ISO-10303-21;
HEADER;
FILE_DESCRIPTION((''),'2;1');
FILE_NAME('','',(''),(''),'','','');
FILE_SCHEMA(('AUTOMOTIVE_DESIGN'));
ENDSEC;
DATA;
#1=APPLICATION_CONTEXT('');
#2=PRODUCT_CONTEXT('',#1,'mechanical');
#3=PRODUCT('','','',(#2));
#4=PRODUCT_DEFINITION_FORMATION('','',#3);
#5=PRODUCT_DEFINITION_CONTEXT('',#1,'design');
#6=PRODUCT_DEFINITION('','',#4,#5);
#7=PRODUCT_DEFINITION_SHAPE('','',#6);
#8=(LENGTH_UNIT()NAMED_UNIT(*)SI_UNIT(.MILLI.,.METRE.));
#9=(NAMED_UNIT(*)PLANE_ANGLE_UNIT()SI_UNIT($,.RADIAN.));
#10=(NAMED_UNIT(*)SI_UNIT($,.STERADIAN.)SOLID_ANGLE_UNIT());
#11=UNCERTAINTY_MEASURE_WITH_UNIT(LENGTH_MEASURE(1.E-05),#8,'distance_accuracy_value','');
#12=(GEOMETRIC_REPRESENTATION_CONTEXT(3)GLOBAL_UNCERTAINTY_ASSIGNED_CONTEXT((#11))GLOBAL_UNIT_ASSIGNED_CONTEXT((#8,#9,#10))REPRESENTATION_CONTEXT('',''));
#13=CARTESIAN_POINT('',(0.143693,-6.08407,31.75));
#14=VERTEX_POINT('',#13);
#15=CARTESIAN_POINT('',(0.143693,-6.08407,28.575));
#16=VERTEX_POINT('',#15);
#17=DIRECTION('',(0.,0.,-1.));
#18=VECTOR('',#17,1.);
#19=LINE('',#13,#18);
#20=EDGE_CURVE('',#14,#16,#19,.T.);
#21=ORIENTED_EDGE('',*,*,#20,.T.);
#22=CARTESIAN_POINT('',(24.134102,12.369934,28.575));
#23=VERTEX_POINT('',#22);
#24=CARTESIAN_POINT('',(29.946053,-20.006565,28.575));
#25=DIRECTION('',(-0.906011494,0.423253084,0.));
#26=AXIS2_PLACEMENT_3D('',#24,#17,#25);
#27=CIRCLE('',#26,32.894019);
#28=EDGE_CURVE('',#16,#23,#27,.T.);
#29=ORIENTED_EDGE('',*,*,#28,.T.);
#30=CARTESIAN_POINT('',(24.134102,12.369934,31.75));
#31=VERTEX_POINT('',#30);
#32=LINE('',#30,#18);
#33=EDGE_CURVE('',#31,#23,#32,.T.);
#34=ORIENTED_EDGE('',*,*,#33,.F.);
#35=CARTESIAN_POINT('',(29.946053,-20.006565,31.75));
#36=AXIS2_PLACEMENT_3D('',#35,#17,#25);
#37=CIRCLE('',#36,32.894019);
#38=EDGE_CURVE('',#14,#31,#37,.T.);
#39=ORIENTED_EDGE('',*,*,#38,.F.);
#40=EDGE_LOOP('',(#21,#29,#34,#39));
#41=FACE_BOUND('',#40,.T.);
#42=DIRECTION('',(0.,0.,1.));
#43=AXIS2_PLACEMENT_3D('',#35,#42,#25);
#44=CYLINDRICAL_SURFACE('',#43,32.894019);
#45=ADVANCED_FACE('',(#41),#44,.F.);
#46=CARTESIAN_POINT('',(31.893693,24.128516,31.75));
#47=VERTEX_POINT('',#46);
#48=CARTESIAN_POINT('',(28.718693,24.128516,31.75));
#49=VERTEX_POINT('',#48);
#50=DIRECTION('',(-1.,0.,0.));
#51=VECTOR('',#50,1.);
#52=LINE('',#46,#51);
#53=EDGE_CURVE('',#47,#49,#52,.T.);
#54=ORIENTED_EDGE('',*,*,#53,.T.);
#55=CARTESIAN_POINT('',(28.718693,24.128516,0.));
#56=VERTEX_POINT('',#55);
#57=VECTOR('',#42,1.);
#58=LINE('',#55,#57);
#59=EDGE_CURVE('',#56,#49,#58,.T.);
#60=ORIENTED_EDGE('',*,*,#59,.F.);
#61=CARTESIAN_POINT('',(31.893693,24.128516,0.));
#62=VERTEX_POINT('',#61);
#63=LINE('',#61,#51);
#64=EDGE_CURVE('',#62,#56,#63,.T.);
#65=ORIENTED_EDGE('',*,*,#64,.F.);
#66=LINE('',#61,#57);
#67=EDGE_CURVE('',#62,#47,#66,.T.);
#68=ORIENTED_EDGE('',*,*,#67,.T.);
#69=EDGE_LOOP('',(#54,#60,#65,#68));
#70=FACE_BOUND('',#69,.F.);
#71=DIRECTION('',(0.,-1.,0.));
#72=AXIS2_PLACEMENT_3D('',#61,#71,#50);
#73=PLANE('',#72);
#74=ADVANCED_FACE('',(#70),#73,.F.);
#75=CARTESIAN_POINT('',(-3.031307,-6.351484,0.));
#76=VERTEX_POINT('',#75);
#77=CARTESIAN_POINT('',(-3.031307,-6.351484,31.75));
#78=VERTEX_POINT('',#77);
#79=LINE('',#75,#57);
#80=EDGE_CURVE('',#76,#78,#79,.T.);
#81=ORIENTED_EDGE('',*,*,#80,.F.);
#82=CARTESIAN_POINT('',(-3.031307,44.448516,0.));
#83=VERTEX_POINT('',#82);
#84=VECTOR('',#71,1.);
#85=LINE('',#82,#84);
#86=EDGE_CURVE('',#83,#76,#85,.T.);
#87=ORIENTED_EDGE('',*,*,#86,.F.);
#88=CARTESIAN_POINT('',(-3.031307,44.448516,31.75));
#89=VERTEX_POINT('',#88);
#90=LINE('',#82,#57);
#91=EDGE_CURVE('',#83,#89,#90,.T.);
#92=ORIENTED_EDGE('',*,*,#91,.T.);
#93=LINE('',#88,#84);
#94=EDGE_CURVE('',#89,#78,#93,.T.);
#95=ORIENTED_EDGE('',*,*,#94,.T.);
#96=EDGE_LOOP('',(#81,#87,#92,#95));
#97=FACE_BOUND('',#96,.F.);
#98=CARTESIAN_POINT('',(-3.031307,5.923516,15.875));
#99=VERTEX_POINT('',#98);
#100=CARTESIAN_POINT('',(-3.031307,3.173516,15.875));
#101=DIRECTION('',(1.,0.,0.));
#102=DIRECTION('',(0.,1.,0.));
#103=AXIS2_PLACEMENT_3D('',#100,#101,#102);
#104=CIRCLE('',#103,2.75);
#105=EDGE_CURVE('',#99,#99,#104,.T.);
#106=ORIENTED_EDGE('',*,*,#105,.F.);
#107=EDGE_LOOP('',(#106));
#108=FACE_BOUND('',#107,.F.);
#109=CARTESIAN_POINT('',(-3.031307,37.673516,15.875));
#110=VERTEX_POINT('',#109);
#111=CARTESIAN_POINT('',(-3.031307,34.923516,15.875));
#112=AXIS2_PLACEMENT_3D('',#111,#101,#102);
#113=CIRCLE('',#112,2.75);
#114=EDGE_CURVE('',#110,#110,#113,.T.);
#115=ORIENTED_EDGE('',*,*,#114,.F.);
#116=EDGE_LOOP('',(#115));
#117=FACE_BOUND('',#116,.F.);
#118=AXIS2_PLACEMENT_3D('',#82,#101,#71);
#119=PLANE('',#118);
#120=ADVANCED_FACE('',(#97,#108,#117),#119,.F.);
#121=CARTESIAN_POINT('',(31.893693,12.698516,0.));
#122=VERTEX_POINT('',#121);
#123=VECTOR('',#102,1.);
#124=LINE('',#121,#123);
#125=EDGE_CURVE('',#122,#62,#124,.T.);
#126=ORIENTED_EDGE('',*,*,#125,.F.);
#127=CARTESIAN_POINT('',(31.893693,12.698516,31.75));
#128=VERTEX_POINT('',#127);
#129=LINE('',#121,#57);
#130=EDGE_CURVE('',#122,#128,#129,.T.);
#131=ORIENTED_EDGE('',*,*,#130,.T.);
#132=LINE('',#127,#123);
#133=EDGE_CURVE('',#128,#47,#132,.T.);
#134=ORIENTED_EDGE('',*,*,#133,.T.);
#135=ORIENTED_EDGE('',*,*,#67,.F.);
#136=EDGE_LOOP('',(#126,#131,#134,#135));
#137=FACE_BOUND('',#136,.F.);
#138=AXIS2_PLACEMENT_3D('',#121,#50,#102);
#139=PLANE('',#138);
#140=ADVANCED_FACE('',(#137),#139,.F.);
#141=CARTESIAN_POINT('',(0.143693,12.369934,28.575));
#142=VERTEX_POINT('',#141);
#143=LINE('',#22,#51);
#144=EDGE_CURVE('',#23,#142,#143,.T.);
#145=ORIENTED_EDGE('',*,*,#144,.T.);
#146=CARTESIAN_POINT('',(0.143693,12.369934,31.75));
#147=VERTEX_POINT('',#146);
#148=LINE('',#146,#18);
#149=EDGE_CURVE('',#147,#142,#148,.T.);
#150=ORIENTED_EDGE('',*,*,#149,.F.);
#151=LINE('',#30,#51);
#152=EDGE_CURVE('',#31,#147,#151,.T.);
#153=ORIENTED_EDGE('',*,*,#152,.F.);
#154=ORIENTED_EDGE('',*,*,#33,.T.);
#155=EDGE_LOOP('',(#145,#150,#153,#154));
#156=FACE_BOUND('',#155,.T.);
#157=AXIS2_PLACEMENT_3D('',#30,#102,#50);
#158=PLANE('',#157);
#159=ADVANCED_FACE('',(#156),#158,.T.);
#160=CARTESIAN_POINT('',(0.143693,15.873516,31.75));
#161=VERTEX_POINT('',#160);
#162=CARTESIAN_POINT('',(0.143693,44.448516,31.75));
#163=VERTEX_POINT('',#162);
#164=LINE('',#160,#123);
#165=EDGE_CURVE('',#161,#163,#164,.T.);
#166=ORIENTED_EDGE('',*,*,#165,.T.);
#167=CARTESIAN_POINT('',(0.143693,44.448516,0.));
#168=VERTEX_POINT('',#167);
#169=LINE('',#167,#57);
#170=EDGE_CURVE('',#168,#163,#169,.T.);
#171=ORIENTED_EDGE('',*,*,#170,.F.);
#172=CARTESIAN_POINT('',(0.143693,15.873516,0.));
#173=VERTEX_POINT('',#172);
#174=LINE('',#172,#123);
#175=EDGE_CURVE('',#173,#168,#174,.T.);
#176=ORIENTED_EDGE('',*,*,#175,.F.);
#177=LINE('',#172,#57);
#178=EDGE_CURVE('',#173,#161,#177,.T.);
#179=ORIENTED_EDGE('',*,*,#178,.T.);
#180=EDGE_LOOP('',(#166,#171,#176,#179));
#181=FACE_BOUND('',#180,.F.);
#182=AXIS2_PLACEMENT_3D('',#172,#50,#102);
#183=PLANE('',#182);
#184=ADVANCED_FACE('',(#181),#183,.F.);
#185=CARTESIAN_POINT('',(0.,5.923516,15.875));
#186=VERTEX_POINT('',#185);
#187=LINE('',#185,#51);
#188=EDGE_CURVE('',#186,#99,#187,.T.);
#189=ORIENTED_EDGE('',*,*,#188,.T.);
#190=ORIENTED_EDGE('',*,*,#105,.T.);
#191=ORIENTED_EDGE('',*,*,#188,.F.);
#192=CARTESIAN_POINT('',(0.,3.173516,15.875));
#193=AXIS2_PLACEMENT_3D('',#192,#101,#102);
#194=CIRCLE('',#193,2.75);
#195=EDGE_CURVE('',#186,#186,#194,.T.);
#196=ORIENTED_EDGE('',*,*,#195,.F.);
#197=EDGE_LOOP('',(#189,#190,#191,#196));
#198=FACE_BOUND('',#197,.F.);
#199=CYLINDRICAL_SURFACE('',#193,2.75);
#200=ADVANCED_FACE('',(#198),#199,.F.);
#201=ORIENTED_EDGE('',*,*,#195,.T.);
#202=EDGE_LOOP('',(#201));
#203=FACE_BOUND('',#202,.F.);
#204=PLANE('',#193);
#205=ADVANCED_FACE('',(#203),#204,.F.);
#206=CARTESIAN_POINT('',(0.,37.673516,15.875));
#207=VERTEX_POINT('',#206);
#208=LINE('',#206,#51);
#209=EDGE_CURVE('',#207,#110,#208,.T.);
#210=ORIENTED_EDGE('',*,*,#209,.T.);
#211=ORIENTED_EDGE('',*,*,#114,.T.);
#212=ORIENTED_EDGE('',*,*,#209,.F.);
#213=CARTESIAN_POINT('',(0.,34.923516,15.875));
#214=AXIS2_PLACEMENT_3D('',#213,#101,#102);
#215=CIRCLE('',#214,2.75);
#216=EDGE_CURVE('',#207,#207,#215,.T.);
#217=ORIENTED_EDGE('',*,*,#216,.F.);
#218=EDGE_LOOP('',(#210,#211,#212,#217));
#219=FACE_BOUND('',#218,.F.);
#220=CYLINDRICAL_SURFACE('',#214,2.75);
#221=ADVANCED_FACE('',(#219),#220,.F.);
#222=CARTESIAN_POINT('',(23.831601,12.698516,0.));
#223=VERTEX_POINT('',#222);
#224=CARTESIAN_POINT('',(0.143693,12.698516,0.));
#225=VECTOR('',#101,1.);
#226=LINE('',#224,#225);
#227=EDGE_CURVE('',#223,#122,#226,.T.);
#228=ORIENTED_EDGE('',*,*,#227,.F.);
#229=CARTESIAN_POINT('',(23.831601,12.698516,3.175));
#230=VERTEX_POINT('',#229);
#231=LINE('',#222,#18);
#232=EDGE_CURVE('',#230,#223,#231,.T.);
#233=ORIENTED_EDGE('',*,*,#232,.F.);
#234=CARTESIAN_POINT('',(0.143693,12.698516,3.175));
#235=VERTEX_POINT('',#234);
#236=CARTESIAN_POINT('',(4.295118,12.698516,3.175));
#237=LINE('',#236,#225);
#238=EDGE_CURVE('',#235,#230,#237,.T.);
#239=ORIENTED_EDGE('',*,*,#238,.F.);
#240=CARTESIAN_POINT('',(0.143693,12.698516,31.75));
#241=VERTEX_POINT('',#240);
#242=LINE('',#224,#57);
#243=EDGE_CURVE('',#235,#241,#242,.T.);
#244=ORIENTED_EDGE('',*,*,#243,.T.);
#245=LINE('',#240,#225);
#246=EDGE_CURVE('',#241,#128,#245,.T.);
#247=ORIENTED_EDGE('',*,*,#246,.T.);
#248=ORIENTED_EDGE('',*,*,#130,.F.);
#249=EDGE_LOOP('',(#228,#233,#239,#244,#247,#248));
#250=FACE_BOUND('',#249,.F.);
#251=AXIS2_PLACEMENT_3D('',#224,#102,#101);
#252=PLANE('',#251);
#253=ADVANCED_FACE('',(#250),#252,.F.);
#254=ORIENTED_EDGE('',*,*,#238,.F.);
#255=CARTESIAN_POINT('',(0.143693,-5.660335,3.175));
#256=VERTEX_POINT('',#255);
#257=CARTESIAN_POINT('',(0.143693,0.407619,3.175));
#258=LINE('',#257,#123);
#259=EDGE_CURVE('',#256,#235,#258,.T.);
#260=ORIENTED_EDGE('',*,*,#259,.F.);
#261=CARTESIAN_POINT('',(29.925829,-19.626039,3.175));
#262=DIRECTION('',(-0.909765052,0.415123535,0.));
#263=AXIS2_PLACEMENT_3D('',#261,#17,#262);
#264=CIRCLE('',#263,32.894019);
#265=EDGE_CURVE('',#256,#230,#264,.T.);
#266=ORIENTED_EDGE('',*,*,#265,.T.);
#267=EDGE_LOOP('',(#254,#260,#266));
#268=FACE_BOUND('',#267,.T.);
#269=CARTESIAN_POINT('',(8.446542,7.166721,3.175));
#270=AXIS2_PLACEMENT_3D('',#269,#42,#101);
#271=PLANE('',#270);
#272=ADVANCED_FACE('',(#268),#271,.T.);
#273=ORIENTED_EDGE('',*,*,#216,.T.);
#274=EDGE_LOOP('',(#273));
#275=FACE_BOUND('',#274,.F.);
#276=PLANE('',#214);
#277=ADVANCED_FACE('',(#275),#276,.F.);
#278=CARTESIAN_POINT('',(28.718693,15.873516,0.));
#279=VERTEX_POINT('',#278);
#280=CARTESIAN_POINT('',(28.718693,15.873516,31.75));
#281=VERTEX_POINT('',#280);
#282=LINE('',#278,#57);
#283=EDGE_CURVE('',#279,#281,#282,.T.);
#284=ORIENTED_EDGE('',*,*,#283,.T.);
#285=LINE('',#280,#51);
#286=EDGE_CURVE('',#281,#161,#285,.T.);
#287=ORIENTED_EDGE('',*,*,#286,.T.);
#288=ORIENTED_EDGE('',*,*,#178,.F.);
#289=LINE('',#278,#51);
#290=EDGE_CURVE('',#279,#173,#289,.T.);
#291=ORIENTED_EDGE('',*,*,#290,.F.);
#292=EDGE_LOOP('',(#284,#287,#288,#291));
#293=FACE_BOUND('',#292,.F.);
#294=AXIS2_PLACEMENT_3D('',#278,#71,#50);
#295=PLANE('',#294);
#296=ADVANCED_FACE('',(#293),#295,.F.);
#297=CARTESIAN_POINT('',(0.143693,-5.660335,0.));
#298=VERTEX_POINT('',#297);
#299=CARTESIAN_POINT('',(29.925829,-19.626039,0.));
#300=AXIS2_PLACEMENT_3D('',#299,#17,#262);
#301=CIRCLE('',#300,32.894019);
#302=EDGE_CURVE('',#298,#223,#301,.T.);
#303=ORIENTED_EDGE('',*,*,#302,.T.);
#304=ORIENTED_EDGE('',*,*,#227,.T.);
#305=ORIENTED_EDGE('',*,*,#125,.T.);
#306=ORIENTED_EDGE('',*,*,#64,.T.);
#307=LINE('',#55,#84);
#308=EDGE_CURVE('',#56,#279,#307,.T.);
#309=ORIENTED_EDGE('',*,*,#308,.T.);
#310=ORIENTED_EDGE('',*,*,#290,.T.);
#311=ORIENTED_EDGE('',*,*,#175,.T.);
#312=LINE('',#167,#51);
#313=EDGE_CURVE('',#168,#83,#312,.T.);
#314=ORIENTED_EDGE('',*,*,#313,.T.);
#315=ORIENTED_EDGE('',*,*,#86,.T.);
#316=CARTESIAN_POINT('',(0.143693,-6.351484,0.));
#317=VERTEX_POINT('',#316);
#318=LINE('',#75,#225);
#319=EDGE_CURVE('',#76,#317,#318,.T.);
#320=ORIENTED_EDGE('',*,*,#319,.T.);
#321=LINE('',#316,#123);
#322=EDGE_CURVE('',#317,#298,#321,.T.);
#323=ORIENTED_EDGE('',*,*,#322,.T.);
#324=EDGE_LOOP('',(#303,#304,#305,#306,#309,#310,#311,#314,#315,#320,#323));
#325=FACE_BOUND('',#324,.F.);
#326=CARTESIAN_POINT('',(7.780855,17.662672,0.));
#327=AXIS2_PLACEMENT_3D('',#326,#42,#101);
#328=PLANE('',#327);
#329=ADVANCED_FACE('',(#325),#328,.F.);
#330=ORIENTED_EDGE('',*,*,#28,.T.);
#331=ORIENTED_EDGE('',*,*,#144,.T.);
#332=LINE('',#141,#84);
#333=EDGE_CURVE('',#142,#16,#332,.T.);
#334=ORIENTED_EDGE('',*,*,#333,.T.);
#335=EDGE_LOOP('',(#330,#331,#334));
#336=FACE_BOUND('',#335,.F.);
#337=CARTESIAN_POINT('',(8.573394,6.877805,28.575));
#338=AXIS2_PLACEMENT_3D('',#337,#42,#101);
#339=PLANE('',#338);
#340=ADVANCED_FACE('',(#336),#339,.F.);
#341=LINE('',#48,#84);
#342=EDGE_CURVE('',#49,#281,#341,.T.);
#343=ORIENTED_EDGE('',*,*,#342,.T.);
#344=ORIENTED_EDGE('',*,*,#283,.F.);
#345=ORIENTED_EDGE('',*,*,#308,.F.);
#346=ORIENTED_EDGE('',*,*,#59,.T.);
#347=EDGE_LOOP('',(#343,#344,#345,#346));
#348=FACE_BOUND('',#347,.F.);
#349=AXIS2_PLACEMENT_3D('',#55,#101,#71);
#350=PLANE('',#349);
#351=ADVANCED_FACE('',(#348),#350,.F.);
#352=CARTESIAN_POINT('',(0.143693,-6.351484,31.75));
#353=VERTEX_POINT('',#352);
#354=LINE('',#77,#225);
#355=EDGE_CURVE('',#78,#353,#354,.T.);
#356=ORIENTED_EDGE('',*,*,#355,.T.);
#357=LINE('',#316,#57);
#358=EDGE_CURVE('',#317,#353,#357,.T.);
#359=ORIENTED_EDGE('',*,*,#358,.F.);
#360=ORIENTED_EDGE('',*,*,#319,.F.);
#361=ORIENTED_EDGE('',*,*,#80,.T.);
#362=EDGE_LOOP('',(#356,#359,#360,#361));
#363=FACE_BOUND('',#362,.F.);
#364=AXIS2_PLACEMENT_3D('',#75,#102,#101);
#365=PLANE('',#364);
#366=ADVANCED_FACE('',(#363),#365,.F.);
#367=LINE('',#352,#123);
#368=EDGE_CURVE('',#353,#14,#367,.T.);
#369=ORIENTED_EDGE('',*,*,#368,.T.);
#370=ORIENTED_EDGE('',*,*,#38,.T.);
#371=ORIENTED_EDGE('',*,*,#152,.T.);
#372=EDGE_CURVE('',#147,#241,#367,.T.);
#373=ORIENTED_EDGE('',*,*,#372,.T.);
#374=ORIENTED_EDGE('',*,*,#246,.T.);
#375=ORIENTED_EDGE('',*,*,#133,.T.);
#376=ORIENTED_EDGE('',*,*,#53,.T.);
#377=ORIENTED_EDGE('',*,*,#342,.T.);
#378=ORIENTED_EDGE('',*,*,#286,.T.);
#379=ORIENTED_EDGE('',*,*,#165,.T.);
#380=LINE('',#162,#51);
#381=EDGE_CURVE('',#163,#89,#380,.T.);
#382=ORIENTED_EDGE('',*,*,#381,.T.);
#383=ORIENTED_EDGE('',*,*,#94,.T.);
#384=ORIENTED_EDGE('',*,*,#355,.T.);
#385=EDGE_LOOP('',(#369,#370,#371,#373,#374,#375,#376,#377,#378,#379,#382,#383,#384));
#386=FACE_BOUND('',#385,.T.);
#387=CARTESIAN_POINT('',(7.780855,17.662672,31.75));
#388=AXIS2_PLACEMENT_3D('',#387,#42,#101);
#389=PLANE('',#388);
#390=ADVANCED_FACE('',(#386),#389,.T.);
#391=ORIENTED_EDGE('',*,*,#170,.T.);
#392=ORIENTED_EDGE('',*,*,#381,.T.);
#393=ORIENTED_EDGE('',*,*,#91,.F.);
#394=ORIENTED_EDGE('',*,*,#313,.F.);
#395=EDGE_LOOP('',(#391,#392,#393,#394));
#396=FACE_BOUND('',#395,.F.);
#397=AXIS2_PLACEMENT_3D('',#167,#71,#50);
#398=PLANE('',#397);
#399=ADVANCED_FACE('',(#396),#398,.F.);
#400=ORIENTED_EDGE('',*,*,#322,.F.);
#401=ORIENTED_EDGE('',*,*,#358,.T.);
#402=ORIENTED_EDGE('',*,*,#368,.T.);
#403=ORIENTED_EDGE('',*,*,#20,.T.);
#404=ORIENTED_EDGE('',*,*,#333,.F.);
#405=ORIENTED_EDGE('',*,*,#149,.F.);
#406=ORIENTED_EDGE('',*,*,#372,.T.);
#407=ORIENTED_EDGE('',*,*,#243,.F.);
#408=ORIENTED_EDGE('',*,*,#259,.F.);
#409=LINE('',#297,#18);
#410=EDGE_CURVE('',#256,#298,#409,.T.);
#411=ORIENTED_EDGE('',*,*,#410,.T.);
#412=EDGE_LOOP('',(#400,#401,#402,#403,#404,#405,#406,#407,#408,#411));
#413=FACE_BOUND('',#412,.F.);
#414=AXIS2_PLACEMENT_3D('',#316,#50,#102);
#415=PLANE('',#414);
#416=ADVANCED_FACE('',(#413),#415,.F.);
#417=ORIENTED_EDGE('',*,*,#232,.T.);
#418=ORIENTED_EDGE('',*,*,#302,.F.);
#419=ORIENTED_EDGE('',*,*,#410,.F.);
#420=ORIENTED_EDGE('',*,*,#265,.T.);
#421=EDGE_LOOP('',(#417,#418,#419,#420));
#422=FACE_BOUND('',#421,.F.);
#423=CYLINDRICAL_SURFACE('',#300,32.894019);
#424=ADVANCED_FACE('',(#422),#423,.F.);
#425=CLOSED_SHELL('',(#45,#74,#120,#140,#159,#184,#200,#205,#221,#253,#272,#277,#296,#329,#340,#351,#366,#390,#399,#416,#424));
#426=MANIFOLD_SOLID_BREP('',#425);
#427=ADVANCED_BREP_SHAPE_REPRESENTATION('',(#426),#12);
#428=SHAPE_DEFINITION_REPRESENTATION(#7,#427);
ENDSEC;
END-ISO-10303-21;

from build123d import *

# Parameters (mm, degrees)
F1_DEPTH = 31.75
F3_DEPTH = 3.175
F5_DEPTH = 3.175
F7_D     = 5.5
F7_DEPTH = 3.0323066673


with BuildPart() as f1:
    # F0 (on Top) → F1 (new body)
    with BuildSketch(Plane.XY):
        Polygon((0.1436933327, 44.4485164799), (-3.0313066673, 44.4485164799), (-3.0313066673, -6.3514835201), (0.1436933327, -6.3514835201), (0.1436933327, 12.6985164799), (31.8936933327, 12.6985164799), (31.8936933327, 24.1285164799), (28.7186933327, 24.1285164799), (28.7186933327, 15.8735164799), (0.1436933327, 15.8735164799), align=None)
    extrude(amount=F1_DEPTH)

    # F2 (on Top) → F3 (join)
    with BuildSketch(Plane.XY):
        with BuildLine():
            ThreePointArc((0, -5.9709572233), (9.7535685251, 6.3565785033), (24.1138786077, 12.7504607663))
            Line((24.1138786077, 12.7504607663), (0, 12.7504607663))
            Line((0, 12.7504607663), (0, -5.9709572233))
        make_face()
    extrude(amount=F3_DEPTH)

    # F4 (on face) → F5 (join)
    with BuildSketch(Plane.XY.offset(31.75)):
        with BuildLine():
            ThreePointArc((0.1436933327, -6.0840700046), (9.8903219557, 6.066105621), (24.1341023211, 12.3699344695))
            Line((24.1341023211, 12.3699344695), (0.1436933327, 12.3699344695))
            Line((0.1436933327, 12.3699344695), (0.1436933327, -6.0840700046))
        make_face()
    extrude(amount=-F5_DEPTH)

    # F7 (through all, one way)
    with BuildSketch(Plane.YZ):
        with Locations((3.1735164799, 15.875), (34.9235164799, 15.875)):
            Circle(F7_D / 2)
    extrude(amount=-F7_DEPTH, mode=Mode.SUBTRACT)


solid = f1.part
